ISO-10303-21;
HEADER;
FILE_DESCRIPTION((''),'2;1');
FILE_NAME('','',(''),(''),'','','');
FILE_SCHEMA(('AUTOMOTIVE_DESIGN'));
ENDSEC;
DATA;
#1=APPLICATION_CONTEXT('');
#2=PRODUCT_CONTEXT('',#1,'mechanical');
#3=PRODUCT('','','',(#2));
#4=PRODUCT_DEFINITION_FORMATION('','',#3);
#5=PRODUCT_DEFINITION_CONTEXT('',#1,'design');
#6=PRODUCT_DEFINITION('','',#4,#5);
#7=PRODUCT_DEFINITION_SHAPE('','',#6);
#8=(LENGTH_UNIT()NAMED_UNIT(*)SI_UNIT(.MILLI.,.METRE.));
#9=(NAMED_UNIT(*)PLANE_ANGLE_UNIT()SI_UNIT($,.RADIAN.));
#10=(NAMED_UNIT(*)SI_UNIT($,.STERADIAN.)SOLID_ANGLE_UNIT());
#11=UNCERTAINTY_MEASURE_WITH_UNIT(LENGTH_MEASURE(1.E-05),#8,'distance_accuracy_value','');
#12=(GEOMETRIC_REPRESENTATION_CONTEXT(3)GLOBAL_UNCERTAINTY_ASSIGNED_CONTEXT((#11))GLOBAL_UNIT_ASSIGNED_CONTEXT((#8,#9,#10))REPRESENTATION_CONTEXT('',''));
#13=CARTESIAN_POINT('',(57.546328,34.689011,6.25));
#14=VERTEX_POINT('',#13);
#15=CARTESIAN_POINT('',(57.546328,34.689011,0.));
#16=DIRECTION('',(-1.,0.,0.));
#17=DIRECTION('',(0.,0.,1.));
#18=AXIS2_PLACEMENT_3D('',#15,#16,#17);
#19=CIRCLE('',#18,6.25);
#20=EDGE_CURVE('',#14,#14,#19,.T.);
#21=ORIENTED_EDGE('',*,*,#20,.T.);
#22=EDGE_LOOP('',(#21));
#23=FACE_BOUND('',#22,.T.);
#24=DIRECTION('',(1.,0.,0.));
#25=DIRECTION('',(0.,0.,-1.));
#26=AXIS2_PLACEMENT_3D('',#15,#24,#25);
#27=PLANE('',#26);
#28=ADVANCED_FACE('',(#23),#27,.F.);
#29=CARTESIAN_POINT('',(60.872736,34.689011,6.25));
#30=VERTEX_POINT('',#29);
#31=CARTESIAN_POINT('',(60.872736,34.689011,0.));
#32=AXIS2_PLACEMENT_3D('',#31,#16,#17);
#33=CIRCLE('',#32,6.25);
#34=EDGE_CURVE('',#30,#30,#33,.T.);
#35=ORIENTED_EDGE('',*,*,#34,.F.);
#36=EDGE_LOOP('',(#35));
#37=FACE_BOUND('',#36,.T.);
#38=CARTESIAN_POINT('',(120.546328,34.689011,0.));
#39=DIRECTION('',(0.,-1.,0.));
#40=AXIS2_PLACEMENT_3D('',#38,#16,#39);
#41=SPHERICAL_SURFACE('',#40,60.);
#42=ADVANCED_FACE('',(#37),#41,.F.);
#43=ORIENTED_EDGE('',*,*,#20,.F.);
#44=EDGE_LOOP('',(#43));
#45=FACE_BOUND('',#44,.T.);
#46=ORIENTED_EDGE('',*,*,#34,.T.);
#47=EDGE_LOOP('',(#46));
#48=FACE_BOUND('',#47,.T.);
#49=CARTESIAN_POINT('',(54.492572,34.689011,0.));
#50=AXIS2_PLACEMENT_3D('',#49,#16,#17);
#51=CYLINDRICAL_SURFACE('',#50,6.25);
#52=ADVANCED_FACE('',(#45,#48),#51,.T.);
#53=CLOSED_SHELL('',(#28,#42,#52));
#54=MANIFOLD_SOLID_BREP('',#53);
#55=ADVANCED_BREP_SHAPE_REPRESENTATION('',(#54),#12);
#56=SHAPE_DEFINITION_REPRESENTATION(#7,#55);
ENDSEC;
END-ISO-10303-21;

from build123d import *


with BuildPart() as part:
    # 草图1 → 旋转1 (revolve)
    with BuildSketch(Plane.XY, mode=Mode.PRIVATE) as revolve_1_sk:
        with BuildLine():
            Line((57.546327767, 34.689010562), (57.546327767, 40.939010562))
            Line((57.546327767, 40.939010562), (60.872736291, 40.939010562))
            ThreePointArc((60.872736291, 40.939010562), (60.627985341, 37.818269365), (60.546327602, 34.689010562))
            Line((60.546327602, 34.689010562), (57.546327767, 34.689010562))
        make_face()
    revolve(revolve_1_sk.sketch.rotate(Axis((54.492571501, 34.689010562, 0), (1, 0, 0)), 180), axis=Axis((54.492571501, 34.689010562, 0), (1, 0, 0)))  # turned: the seam where the file's is


solid = part.part
